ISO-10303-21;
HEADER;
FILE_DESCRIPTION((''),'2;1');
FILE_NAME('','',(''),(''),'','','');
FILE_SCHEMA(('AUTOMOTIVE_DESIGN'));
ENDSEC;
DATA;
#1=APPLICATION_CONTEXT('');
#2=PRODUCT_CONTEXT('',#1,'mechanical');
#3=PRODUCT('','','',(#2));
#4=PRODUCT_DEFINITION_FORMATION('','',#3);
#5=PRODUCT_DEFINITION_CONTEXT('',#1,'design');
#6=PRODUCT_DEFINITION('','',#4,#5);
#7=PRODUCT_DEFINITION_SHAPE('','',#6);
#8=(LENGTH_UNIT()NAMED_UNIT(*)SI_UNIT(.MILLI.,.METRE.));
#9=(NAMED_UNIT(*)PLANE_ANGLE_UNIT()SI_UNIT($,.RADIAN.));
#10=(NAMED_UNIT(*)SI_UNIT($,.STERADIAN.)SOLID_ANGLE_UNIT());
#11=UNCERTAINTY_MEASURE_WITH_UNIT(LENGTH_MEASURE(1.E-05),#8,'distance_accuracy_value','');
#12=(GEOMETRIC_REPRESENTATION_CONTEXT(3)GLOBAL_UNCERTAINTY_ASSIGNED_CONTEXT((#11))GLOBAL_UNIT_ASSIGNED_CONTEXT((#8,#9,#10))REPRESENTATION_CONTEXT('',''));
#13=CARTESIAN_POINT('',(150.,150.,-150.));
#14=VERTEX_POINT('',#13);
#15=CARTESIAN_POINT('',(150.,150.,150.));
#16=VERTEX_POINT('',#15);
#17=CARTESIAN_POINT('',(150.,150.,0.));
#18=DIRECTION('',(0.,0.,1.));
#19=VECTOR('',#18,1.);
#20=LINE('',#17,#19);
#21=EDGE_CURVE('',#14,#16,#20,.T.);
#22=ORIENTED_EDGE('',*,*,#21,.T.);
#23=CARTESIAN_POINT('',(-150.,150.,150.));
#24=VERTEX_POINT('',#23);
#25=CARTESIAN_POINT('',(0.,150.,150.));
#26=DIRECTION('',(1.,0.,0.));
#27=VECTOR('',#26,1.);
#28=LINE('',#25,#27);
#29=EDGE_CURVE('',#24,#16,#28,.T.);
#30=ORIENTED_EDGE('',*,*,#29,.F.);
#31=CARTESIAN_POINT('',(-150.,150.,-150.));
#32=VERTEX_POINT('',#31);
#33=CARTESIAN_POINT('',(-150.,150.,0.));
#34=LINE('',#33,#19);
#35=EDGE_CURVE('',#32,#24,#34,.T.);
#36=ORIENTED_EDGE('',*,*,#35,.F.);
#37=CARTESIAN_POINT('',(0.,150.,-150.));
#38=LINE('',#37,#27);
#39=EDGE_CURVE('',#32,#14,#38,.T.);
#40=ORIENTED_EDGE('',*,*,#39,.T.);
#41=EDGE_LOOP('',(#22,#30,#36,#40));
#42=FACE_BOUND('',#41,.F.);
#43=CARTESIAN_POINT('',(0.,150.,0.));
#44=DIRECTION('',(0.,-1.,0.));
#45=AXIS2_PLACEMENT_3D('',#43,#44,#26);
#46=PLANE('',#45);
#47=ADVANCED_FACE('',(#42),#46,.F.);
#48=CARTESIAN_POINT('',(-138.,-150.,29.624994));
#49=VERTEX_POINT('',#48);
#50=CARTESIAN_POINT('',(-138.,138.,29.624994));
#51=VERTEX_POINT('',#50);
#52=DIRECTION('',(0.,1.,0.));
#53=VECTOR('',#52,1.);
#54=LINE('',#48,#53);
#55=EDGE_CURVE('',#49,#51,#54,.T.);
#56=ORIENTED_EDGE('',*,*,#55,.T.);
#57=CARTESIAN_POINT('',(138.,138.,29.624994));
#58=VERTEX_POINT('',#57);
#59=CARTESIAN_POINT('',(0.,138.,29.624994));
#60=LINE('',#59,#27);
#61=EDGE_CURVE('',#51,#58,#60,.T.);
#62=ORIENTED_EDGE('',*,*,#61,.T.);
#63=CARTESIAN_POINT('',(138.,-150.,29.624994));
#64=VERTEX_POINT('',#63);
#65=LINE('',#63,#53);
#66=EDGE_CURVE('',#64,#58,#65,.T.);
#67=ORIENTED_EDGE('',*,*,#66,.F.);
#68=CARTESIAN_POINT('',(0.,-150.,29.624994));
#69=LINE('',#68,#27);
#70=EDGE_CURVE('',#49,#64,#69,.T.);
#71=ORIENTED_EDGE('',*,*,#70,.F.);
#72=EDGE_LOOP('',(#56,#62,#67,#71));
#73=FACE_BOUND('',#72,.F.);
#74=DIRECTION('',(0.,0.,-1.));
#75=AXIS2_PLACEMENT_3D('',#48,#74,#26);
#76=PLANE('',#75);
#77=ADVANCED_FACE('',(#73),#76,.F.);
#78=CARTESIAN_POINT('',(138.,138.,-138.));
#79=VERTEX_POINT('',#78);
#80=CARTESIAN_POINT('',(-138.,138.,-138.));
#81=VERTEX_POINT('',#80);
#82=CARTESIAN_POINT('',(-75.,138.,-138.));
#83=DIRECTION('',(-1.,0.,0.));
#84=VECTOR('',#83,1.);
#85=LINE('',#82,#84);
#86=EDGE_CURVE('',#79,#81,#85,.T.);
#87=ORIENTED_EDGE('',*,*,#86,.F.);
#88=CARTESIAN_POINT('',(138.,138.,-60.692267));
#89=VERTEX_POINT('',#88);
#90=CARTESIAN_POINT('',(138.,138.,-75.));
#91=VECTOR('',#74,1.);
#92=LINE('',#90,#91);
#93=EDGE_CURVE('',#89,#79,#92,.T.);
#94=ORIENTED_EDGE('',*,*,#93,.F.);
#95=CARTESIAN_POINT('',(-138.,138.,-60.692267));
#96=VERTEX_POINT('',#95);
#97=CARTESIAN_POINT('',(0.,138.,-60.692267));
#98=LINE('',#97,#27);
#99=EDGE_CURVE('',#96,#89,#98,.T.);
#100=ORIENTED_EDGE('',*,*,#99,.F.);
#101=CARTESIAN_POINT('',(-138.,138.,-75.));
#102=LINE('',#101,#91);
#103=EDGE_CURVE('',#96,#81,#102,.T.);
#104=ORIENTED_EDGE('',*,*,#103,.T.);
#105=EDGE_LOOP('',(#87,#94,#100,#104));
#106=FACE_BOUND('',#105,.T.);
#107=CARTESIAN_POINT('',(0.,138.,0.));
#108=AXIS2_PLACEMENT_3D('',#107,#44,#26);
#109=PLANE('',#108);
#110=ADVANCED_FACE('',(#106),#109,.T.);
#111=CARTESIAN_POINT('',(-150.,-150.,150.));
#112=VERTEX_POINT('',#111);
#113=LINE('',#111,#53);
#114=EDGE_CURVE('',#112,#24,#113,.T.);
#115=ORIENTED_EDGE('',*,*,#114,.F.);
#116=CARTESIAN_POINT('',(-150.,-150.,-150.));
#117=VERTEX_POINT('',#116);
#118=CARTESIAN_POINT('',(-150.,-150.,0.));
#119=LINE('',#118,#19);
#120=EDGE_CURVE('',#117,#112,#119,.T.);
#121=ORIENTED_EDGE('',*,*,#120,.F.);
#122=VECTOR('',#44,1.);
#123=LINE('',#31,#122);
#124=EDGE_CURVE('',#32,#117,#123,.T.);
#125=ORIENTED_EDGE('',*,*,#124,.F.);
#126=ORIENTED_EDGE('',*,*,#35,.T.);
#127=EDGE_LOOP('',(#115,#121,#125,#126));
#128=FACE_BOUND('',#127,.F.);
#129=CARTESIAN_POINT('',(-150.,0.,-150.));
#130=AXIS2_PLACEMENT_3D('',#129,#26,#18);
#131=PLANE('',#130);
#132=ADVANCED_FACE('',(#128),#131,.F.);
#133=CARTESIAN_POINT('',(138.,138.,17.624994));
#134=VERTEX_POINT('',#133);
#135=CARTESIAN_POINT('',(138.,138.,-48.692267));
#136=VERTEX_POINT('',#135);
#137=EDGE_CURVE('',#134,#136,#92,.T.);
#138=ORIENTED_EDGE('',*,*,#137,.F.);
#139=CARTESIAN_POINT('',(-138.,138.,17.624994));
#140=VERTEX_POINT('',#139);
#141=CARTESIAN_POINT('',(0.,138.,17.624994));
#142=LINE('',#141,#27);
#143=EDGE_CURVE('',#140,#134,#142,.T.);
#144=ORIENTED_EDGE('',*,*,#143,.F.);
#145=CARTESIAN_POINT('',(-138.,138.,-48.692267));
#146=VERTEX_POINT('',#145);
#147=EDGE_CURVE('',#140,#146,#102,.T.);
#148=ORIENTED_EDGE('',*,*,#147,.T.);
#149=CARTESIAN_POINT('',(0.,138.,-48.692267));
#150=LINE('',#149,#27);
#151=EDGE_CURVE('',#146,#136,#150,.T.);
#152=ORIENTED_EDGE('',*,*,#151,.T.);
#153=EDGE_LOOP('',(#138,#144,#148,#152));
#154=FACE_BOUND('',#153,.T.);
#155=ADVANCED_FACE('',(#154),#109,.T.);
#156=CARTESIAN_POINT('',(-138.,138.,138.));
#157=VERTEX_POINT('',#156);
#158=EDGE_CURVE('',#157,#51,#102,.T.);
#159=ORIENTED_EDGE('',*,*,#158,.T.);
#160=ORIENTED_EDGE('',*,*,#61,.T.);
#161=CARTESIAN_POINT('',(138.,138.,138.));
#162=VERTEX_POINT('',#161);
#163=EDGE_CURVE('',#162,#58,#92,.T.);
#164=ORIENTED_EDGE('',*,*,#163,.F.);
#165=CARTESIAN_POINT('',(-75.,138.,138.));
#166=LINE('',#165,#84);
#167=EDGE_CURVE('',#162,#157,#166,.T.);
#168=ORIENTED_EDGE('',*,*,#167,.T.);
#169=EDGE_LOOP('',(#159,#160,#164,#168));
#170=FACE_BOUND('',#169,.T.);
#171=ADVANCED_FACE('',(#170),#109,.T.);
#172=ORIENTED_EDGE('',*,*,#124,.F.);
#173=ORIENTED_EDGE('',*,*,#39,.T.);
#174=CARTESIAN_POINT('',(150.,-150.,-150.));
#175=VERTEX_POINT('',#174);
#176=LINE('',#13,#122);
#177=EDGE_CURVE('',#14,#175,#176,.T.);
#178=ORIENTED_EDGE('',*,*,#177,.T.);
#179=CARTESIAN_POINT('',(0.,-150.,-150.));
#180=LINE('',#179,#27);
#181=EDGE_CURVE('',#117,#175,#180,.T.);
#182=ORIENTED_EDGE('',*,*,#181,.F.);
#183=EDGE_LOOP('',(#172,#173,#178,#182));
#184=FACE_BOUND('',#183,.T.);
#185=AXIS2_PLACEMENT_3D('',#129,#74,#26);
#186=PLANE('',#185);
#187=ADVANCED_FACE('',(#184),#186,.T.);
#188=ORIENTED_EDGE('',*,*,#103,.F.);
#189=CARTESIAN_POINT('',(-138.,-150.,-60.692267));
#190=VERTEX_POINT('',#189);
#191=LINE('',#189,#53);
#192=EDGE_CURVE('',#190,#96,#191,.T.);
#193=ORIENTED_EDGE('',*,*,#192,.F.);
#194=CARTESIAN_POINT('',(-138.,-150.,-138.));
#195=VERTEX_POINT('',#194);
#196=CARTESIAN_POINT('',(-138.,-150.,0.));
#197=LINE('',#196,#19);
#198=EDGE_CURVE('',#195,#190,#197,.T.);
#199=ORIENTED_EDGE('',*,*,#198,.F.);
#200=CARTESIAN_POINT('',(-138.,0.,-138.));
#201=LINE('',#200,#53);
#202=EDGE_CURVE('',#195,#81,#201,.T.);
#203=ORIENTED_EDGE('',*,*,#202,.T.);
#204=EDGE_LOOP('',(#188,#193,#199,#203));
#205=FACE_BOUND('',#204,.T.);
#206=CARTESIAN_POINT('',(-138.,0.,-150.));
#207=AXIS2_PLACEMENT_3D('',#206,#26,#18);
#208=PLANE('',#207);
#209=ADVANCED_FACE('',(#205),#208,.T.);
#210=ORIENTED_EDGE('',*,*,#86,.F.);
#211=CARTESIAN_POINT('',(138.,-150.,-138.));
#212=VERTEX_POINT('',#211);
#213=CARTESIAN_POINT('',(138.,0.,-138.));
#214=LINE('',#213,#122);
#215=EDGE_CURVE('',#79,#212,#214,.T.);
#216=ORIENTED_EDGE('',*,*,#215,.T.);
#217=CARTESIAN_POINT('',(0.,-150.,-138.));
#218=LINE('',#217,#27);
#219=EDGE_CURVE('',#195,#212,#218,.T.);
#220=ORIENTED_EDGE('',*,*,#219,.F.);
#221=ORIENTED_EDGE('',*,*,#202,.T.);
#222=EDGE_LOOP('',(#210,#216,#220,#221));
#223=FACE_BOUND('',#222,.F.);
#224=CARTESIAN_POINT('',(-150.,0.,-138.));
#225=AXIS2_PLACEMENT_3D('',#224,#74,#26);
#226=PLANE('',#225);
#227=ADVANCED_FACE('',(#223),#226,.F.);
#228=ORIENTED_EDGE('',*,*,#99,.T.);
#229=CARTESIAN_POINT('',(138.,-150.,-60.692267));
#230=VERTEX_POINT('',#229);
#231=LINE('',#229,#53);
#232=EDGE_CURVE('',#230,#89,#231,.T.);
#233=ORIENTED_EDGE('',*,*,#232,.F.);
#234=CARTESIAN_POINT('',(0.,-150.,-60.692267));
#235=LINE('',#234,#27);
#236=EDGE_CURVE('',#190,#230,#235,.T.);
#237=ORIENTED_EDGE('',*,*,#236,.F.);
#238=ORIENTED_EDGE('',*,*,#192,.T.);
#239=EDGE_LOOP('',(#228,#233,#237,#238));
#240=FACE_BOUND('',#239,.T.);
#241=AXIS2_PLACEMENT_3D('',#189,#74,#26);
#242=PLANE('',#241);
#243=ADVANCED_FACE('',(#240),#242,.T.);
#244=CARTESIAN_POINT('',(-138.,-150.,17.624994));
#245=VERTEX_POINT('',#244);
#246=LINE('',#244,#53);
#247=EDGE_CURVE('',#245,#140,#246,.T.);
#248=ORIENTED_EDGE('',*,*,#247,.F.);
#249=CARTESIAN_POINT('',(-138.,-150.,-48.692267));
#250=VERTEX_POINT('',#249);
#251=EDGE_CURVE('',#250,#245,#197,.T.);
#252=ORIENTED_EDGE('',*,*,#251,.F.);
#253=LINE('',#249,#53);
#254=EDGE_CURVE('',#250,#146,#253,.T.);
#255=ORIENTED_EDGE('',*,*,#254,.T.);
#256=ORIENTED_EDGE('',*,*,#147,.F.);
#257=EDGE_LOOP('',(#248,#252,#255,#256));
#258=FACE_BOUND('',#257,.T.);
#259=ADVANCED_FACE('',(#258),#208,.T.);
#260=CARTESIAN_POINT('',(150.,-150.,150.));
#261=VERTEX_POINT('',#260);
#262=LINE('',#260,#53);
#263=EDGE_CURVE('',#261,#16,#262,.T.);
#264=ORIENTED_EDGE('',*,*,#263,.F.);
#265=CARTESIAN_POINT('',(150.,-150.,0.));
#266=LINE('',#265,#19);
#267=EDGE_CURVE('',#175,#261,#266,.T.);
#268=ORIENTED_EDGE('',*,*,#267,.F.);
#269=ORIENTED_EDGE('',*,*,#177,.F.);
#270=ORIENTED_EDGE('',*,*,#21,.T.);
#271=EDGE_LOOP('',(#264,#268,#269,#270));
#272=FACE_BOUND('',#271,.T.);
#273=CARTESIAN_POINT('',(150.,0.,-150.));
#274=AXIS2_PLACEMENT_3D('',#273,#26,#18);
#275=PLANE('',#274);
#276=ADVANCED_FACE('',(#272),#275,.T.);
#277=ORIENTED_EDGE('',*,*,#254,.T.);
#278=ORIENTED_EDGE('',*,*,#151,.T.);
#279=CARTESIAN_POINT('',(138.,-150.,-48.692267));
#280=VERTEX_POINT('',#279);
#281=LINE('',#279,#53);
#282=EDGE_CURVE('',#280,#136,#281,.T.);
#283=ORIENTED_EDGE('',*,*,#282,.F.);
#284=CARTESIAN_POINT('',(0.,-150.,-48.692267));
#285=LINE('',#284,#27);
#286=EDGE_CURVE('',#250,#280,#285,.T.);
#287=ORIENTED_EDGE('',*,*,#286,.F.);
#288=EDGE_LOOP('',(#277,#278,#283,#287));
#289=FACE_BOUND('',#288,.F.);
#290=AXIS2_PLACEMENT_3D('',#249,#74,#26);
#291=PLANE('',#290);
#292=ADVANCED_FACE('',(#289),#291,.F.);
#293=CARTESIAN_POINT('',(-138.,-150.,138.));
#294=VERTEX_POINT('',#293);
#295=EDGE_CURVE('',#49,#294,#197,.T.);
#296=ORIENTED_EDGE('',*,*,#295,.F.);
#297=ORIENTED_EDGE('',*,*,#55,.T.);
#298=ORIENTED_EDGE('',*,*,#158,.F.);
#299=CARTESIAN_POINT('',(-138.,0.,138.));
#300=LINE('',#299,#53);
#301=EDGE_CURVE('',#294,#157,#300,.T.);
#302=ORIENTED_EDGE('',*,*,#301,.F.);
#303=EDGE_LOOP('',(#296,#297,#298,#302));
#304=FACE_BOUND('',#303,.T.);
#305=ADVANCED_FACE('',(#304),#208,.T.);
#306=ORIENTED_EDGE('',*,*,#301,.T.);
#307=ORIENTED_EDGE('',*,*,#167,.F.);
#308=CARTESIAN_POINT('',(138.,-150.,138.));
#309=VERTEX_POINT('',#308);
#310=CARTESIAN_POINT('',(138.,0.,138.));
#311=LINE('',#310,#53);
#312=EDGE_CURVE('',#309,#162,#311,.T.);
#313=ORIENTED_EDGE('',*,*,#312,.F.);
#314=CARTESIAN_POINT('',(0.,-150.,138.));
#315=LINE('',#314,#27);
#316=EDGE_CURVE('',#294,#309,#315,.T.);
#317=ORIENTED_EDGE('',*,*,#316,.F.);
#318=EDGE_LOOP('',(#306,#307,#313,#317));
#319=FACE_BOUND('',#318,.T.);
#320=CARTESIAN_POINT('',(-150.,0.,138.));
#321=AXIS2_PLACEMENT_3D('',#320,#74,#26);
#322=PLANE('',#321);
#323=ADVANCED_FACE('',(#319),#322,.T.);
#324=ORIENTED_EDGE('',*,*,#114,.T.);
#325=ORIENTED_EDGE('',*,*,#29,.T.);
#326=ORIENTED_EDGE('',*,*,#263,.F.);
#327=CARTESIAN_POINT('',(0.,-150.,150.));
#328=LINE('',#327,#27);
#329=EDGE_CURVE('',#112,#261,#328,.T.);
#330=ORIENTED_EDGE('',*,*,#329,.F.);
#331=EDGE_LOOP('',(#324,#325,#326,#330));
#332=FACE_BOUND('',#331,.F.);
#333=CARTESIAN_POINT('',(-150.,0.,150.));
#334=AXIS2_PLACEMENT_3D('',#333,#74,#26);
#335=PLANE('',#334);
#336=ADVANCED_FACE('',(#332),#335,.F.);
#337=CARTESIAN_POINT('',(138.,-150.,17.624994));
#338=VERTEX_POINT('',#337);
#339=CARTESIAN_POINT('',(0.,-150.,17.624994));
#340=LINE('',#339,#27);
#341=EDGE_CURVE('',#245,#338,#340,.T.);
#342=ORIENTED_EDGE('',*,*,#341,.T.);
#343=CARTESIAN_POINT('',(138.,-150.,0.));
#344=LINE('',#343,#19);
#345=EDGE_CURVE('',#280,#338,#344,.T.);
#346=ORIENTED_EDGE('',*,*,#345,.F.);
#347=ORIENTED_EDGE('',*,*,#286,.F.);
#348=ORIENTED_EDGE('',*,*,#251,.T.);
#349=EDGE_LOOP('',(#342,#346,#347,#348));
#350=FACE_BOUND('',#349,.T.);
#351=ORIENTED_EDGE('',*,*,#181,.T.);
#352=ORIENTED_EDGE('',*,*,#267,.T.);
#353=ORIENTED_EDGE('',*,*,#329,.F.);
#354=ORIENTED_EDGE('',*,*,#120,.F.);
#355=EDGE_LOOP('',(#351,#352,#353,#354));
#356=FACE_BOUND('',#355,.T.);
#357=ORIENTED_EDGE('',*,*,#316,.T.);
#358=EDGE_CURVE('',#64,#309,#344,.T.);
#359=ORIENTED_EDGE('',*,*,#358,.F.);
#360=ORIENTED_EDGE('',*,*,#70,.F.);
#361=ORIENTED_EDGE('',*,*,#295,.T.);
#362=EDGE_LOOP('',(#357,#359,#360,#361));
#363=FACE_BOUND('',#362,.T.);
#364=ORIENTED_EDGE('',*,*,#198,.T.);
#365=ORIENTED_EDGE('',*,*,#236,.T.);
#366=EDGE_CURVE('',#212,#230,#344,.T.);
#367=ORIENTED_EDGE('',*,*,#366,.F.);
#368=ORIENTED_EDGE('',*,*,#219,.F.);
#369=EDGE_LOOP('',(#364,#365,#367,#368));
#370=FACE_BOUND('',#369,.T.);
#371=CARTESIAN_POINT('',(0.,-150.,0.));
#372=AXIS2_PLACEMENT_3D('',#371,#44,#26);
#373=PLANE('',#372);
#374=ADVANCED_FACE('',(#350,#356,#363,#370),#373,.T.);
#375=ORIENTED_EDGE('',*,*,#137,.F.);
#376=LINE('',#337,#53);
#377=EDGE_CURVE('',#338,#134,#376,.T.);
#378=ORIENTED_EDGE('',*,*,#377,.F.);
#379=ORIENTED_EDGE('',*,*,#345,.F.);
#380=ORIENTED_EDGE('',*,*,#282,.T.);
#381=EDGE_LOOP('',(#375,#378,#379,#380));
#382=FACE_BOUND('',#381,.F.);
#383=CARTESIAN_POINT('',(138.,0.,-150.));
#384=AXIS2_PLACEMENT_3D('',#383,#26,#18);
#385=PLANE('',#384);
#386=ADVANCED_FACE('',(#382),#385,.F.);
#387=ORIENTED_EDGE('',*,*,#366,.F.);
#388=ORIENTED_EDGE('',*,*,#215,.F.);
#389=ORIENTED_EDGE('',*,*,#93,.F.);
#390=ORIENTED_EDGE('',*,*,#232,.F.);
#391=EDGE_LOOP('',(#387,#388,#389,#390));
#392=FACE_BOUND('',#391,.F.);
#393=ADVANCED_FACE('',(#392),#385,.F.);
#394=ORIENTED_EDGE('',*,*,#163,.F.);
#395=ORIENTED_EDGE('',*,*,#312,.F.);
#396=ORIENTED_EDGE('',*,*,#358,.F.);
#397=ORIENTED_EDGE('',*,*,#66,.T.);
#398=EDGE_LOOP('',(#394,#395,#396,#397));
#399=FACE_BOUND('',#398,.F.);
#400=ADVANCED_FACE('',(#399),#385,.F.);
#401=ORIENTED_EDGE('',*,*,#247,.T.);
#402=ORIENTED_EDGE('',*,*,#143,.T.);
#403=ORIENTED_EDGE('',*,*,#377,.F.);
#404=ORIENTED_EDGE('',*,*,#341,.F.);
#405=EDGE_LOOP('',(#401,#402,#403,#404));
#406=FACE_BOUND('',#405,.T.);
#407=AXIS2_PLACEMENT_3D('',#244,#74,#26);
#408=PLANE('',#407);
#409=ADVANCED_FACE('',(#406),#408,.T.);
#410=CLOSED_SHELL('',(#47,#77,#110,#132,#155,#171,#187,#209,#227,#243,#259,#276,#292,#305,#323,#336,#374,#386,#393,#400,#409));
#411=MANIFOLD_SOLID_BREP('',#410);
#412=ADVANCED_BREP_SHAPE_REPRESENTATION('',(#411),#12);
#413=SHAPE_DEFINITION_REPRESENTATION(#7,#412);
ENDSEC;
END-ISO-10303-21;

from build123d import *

# Parameters (mm, degrees)
F0_W     = 300
F0_H     = 300
F1_DEPTH = 150
F2_T     = -12
F3_W     = 276
F3_H     = 12
F4_DEPTH = 288
F5_W     = 276
F5_H     = 12
F6_DEPTH = 288


with BuildPart() as f1:
    # F0 (on Front) → F1 (new body, symmetric)
    with BuildSketch(Plane.XZ):
        Rectangle(F0_W, F0_H)
    extrude(amount=F1_DEPTH, both=True)

    # F2
    f2_openings = [f1.faces().sort_by_distance(p)[0] for p in [
        (0, -150, 0),
    ]]
    offset(amount=F2_T, openings=f2_openings)

    # F3 (on face) → F4 (join)
    with BuildSketch(Plane.XZ.offset(150)):
        with Locations((0, 23.6249938158)):
            Rectangle(F3_W, F3_H)
    extrude(amount=-F4_DEPTH)

    # F5 (on face) → F6 (join)
    with BuildSketch(Plane.XZ.offset(150)):
        with Locations((0, -54.6922665407)):
            Rectangle(F5_W, F5_H)
    extrude(amount=-F6_DEPTH)


solid = f1.part
